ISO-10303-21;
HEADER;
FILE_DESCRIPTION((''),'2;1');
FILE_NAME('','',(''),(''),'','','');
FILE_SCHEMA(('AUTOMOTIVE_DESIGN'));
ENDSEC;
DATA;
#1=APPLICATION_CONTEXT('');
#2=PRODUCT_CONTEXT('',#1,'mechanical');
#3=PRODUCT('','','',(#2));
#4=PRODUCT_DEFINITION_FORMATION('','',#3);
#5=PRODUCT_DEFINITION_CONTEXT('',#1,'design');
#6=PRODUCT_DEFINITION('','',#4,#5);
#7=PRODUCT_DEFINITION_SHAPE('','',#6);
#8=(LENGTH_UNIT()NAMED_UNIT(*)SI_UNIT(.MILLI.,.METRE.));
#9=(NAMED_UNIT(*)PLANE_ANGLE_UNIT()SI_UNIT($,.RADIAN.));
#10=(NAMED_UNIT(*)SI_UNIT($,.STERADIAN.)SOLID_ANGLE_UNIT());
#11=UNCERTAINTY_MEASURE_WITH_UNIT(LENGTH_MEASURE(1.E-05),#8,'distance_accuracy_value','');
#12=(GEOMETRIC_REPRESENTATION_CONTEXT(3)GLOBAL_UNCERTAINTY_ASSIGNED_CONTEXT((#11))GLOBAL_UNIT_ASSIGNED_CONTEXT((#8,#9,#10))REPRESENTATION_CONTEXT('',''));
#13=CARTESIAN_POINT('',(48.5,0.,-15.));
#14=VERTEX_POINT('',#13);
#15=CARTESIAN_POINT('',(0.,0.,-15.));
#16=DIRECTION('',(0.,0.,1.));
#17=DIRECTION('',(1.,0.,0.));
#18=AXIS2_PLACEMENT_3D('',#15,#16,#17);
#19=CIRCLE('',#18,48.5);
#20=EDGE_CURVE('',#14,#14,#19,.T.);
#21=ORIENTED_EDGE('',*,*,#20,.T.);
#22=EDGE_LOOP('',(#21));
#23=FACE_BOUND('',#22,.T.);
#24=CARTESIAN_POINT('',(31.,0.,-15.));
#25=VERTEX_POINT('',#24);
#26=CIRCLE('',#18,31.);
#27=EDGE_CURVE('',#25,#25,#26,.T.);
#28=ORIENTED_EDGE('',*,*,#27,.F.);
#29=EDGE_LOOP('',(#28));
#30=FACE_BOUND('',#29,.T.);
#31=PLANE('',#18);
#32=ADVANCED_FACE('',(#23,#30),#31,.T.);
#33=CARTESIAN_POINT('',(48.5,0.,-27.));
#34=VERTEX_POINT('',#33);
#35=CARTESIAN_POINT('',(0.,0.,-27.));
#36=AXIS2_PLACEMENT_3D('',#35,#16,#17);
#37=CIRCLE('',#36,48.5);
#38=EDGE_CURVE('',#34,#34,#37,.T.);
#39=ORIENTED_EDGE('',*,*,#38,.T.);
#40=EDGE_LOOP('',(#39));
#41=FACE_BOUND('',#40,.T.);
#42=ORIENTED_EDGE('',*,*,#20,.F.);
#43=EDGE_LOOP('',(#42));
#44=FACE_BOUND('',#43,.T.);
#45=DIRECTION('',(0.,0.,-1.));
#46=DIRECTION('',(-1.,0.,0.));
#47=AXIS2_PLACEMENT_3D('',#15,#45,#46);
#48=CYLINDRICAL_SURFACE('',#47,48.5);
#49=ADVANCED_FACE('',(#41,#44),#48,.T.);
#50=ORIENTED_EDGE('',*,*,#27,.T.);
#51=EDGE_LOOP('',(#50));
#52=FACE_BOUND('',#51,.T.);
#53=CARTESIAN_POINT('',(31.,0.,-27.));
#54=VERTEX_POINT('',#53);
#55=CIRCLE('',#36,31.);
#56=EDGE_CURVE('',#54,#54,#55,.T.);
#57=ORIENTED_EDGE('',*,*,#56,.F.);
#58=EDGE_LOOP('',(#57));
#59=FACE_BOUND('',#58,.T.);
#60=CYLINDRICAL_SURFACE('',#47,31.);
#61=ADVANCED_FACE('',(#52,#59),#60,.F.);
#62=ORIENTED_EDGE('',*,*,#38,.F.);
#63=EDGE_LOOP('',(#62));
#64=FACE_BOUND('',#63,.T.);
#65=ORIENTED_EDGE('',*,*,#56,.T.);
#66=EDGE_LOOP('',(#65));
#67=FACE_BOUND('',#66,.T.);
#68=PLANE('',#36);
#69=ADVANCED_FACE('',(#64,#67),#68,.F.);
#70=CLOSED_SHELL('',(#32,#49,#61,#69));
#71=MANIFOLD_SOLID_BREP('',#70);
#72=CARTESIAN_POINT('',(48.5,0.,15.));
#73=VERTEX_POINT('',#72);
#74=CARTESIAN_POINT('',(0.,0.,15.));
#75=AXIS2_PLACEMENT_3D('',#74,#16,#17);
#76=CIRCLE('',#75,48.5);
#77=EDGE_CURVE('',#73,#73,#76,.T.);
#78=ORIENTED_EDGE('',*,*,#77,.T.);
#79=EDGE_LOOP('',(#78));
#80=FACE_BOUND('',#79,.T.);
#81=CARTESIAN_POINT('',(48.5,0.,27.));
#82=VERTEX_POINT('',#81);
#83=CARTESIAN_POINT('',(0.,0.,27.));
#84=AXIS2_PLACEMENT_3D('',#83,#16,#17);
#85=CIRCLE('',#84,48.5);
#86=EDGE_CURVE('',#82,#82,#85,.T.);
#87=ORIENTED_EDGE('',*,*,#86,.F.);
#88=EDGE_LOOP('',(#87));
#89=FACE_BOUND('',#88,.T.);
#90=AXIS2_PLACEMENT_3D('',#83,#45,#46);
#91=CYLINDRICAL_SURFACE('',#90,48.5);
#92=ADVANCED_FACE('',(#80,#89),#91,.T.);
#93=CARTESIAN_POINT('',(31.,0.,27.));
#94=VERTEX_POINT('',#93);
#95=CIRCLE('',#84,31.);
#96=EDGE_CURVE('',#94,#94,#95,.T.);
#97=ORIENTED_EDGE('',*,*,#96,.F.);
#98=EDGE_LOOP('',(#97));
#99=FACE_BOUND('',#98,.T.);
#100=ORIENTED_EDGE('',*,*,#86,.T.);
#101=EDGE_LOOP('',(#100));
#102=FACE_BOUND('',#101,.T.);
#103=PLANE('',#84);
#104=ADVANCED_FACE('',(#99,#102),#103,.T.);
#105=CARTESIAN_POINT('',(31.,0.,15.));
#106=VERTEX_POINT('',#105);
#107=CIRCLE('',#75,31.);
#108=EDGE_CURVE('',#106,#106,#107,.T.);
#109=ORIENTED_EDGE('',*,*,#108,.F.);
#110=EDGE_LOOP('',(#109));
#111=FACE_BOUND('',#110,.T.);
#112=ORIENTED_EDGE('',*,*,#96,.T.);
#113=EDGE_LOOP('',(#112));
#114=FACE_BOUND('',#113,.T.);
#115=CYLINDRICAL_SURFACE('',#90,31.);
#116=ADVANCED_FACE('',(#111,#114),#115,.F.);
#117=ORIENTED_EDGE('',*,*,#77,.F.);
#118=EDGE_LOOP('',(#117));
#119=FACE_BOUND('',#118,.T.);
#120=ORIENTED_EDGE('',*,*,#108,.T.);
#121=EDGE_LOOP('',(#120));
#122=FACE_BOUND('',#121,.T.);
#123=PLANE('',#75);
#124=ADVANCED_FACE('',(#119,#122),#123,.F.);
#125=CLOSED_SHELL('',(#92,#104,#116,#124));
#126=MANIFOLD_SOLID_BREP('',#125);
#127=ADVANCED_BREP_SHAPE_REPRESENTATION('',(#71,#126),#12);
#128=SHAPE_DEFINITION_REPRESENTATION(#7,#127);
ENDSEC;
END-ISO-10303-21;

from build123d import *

# Parameters (mm, degrees)
REAR_ENDTURN_START  = -27
SKETCH_1_R          = 48.5
SKETCH_1_R_2        = 31
REAR_ENDTURN_DEPTH  = 12
FRONT_ENDTURN_START = 15
SKETCH_2_R          = 48.5
SKETCH_2_R_2        = 31
FRONT_ENDTURN_DEPTH = 12


with BuildPart() as part:
    # Эскиз1 → Rear_endturn (new body)
    with BuildSketch(Plane.XY.offset(REAR_ENDTURN_START)):
        Circle(SKETCH_1_R)
        Circle(SKETCH_1_R_2, mode=Mode.SUBTRACT)
    extrude(amount=REAR_ENDTURN_DEPTH)


with BuildPart() as body_2:
    # Эскиз2 → Front_endturn (new body)
    with BuildSketch(Plane.XY.offset(FRONT_ENDTURN_START)):
        Circle(SKETCH_2_R)
        Circle(SKETCH_2_R_2, mode=Mode.SUBTRACT)
    extrude(amount=FRONT_ENDTURN_DEPTH)


solid = Compound([part.part, body_2.part])
